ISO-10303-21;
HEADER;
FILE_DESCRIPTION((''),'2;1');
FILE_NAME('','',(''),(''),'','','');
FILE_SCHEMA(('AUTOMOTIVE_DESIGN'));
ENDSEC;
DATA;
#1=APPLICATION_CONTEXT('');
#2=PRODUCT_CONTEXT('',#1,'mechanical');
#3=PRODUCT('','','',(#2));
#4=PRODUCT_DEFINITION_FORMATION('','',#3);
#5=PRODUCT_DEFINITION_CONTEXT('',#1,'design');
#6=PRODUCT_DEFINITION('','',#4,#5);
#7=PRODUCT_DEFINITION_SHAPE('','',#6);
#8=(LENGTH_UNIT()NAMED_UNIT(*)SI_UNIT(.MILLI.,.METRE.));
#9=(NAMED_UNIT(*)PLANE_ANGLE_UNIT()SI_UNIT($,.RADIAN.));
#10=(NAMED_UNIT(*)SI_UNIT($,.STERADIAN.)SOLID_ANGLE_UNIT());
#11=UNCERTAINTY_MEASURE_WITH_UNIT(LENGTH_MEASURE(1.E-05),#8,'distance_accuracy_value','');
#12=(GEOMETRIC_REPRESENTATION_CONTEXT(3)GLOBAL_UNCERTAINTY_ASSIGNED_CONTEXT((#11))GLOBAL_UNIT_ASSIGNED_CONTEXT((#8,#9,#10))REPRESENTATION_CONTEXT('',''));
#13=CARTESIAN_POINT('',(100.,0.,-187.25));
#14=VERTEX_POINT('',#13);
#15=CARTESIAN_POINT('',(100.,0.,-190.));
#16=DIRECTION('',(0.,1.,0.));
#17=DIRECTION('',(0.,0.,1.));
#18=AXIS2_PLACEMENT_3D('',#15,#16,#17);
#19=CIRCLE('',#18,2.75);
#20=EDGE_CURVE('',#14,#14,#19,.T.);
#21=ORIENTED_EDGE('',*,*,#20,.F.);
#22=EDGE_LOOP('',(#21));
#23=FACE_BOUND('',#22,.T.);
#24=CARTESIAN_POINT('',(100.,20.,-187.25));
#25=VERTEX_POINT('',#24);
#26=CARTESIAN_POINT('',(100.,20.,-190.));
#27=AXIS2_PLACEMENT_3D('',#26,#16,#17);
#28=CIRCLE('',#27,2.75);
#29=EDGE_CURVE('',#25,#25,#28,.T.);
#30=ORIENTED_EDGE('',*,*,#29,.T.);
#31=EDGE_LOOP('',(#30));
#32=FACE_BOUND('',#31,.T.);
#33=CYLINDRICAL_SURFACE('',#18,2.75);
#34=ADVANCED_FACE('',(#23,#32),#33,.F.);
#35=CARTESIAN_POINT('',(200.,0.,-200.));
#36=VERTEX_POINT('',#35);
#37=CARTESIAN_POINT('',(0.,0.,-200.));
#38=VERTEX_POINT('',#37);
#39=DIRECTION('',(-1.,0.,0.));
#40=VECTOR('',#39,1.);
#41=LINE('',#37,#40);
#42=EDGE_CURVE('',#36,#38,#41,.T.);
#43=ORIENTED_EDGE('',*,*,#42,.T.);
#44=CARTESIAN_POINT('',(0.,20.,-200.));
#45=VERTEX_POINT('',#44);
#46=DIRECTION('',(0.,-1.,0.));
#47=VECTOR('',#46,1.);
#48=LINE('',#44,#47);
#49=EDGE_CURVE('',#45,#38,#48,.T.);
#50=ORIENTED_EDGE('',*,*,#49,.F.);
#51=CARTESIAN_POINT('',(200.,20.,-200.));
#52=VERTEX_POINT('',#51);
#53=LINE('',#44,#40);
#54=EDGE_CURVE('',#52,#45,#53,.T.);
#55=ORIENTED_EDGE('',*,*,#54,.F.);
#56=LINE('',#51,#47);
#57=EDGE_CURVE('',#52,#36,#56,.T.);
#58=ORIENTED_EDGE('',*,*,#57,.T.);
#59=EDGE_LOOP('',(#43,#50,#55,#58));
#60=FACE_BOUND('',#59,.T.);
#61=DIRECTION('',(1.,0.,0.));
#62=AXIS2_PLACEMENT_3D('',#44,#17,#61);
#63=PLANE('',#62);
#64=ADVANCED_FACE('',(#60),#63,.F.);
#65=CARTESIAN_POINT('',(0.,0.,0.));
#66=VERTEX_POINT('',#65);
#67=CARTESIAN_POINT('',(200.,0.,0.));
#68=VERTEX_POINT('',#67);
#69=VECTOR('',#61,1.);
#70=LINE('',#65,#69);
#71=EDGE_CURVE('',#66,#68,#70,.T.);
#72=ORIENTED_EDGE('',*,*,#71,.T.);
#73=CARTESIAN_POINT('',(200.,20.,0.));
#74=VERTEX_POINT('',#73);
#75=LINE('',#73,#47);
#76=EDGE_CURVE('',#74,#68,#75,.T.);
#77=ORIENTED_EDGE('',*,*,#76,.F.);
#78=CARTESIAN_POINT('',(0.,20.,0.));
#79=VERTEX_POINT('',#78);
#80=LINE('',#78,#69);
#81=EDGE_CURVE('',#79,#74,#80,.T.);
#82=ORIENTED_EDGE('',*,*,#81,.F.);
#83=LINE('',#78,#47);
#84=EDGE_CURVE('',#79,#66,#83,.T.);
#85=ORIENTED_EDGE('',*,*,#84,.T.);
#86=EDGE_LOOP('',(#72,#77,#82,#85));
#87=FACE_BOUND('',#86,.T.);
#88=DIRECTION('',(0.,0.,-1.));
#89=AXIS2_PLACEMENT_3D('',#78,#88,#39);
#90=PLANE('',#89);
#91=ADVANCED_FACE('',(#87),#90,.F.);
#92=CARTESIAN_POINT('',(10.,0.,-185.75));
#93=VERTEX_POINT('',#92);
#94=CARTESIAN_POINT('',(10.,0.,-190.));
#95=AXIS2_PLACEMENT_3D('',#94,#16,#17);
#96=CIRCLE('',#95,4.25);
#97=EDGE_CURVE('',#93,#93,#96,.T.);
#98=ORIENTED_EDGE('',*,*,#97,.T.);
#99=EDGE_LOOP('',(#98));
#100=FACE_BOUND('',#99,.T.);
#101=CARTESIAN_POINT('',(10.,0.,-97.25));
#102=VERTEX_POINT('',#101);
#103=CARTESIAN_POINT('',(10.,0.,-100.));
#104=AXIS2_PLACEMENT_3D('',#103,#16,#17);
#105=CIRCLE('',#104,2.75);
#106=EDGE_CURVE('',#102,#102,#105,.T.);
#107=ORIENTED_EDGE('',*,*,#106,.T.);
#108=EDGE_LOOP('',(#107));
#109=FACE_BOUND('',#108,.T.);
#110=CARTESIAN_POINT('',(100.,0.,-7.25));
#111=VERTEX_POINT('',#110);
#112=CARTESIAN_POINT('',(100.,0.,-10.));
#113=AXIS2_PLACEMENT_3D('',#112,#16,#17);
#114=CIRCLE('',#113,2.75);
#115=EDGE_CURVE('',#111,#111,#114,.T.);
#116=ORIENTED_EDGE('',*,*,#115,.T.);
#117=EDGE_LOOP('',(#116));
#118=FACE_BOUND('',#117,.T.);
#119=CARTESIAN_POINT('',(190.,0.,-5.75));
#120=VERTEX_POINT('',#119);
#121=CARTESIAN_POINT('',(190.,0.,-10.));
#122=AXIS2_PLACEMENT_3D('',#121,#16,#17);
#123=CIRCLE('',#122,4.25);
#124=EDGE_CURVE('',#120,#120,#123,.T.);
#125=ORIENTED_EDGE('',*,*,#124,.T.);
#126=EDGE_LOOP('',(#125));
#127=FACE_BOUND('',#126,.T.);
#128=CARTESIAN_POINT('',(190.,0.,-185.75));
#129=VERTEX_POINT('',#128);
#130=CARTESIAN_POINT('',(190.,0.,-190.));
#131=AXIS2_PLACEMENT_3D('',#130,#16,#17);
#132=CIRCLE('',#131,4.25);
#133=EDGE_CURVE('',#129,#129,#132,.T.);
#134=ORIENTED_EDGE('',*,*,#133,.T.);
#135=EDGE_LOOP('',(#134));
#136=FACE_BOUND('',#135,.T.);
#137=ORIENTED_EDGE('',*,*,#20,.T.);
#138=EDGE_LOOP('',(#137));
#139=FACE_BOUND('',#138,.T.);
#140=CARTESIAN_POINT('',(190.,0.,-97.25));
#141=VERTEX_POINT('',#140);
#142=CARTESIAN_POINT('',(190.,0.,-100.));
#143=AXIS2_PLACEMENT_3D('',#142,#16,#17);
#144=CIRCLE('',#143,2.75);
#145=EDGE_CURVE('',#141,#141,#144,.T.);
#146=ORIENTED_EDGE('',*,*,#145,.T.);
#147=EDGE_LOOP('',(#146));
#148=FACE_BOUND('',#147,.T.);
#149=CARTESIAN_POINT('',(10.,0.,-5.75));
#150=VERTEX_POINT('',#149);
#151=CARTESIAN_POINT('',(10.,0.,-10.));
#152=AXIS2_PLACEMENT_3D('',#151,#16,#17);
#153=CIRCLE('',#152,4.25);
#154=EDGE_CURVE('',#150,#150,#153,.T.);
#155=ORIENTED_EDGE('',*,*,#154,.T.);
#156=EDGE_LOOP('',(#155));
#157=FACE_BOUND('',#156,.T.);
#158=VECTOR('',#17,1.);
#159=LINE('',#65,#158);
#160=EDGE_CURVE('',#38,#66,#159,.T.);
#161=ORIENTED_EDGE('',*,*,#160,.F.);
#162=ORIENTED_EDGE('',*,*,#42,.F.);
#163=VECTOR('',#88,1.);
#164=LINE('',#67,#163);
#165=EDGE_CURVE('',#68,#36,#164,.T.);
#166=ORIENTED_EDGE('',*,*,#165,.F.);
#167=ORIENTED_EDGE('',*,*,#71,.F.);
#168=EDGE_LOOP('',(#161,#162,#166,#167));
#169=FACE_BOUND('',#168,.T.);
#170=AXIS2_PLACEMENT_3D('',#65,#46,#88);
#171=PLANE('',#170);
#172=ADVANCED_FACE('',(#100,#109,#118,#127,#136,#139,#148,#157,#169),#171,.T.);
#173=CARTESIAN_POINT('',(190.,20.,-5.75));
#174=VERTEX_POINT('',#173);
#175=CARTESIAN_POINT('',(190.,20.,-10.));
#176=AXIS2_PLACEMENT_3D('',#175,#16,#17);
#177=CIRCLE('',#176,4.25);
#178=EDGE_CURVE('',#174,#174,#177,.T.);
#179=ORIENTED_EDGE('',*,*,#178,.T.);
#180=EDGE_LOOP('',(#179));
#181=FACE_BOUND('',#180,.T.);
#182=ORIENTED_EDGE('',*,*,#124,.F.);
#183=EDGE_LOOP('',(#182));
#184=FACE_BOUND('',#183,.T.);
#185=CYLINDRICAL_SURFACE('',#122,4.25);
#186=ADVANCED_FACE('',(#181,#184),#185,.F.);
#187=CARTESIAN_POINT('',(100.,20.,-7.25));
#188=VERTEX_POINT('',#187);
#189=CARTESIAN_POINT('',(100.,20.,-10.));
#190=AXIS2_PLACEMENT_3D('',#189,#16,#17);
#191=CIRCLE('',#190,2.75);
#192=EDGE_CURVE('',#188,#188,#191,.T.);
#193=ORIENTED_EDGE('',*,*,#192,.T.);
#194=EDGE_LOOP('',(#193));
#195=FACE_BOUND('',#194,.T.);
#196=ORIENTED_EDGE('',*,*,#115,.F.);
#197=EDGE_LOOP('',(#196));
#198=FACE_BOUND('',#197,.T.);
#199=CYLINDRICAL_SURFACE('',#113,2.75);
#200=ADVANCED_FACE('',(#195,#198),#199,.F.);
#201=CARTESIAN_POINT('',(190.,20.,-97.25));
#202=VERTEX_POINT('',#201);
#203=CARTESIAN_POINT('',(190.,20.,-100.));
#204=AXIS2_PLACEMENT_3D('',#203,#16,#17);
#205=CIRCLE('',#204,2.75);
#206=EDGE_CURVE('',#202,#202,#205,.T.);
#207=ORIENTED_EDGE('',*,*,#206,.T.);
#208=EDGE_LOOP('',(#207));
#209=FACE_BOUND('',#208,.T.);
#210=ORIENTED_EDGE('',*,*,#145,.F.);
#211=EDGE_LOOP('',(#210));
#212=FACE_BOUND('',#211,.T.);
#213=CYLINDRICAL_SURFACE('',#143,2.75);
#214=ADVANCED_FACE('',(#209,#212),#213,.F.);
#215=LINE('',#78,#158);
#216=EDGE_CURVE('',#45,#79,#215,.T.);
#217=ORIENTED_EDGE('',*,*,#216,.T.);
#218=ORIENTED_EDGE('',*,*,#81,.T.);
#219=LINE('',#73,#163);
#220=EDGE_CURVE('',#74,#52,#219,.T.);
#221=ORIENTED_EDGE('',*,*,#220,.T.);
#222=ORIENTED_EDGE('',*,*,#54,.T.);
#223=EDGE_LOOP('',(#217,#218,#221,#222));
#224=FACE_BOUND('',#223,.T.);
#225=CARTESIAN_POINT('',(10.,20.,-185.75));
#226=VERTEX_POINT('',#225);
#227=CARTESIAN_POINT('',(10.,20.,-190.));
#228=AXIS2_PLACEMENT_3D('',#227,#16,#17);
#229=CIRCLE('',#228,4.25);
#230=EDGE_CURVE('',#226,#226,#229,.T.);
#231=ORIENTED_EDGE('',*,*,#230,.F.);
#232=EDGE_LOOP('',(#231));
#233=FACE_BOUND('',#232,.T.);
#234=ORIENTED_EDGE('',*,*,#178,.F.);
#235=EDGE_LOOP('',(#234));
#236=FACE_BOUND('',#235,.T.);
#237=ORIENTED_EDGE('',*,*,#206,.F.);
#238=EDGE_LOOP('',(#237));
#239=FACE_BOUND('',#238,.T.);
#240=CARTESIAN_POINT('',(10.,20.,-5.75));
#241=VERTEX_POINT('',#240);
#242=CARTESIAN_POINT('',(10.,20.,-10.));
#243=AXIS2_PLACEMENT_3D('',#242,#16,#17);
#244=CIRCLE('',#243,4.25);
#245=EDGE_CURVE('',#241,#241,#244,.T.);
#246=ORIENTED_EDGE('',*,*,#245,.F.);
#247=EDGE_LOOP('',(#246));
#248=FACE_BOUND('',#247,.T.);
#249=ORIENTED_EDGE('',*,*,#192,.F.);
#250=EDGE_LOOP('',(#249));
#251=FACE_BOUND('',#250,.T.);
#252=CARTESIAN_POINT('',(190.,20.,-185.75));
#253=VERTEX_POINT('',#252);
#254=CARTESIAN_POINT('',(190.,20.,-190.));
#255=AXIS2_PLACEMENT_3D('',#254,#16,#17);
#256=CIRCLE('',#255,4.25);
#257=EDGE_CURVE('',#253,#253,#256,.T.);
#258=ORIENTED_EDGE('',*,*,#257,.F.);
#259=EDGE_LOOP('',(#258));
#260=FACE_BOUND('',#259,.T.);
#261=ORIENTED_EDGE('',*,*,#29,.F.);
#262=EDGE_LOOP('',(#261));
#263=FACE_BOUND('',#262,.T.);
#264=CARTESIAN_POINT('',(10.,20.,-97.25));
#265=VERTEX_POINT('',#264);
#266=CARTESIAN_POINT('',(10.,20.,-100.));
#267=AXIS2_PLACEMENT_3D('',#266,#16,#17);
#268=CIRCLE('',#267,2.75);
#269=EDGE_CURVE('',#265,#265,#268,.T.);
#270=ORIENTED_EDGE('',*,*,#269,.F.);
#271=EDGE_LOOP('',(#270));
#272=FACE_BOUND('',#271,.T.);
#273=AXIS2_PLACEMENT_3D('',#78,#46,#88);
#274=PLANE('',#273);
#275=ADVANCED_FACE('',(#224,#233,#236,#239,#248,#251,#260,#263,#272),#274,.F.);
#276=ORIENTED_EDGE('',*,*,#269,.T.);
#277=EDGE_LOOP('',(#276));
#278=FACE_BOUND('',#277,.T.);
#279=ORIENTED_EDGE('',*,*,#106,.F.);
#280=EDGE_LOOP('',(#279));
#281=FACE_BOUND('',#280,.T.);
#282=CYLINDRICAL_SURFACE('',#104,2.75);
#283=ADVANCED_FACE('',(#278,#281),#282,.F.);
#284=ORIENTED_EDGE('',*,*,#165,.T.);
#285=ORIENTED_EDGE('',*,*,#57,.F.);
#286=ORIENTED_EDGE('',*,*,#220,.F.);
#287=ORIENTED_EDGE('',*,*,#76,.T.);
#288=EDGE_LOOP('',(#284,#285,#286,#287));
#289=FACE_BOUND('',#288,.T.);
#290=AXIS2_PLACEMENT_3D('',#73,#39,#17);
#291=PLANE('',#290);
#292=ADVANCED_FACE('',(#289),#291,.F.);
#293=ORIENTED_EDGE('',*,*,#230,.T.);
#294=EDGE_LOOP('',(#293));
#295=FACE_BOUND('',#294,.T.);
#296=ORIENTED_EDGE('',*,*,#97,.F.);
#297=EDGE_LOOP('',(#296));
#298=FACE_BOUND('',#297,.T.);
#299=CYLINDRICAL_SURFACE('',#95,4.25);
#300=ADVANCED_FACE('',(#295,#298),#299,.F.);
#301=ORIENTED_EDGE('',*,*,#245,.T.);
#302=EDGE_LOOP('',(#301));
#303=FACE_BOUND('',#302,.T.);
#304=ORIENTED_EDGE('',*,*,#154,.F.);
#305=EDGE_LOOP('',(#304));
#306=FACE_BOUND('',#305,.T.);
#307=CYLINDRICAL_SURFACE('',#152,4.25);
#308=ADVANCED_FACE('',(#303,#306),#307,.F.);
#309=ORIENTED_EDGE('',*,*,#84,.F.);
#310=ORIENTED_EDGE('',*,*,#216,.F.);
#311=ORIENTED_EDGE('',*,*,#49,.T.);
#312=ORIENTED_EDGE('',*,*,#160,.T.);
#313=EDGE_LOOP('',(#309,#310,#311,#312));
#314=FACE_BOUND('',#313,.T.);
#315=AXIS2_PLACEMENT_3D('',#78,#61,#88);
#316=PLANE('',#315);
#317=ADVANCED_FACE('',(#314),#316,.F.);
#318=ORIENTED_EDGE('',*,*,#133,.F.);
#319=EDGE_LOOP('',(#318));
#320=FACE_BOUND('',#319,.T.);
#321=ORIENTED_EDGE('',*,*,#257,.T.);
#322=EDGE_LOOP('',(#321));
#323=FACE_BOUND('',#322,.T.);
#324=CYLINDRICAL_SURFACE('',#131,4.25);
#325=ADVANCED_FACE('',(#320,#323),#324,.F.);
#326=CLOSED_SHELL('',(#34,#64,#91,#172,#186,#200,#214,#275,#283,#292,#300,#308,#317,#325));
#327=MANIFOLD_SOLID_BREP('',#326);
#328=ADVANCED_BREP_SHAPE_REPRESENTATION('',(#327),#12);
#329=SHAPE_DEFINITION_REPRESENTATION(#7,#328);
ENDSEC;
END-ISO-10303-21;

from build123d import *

# Parameters (mm, degrees)
TOWERBASE_W          = 200
TOWERBASE_H          = 200
TOWERBASEPLATE_DEPTH = 20
SCREWHOLES_R         = 4.25
SCREWHOLES_R_2       = 2.75
HOLES_DEPTH          = 284.548937575


with BuildPart() as part:
    # TowerBase → TowerBasePlate (new body)
    with BuildSketch(Plane(origin=(0, 0, 0), x_dir=(1, 0, 0), z_dir=(0, 1, 0))):
        with Locations((100, 100)):
            Rectangle(TOWERBASE_W, TOWERBASE_H)
    extrude(amount=TOWERBASEPLATE_DEPTH)

    # ScrewHoles → Holes (cut, through all)
    with BuildSketch(Plane(origin=(0, 20, 0), x_dir=(1, 0, 0), z_dir=(0, 1, 0))):
        with Locations(Location((10, 10, 0), (0, 0, 270))):
            Circle(SCREWHOLES_R)
        with Locations(Location((190, 10, 0), (0, 0, 270))):
            Circle(SCREWHOLES_R)
        with Locations(Location((190, 190, 0), (0, 0, 270))):
            Circle(SCREWHOLES_R)
        with Locations(Location((10, 190, 0), (0, 0, 270))):
            Circle(SCREWHOLES_R)
        with Locations(Location((10, 100, 0), (0, 0, 270))):
            Circle(SCREWHOLES_R_2)
        with Locations(Location((190, 100, 0), (0, 0, 270))):
            Circle(SCREWHOLES_R_2)
        with Locations(Location((100, 190, 0), (0, 0, 270))):
            Circle(SCREWHOLES_R_2)
        with Locations(Location((100, 10, 0), (0, 0, 270))):
            Circle(SCREWHOLES_R_2)
    extrude(amount=-HOLES_DEPTH, mode=Mode.SUBTRACT)


solid = part.part
